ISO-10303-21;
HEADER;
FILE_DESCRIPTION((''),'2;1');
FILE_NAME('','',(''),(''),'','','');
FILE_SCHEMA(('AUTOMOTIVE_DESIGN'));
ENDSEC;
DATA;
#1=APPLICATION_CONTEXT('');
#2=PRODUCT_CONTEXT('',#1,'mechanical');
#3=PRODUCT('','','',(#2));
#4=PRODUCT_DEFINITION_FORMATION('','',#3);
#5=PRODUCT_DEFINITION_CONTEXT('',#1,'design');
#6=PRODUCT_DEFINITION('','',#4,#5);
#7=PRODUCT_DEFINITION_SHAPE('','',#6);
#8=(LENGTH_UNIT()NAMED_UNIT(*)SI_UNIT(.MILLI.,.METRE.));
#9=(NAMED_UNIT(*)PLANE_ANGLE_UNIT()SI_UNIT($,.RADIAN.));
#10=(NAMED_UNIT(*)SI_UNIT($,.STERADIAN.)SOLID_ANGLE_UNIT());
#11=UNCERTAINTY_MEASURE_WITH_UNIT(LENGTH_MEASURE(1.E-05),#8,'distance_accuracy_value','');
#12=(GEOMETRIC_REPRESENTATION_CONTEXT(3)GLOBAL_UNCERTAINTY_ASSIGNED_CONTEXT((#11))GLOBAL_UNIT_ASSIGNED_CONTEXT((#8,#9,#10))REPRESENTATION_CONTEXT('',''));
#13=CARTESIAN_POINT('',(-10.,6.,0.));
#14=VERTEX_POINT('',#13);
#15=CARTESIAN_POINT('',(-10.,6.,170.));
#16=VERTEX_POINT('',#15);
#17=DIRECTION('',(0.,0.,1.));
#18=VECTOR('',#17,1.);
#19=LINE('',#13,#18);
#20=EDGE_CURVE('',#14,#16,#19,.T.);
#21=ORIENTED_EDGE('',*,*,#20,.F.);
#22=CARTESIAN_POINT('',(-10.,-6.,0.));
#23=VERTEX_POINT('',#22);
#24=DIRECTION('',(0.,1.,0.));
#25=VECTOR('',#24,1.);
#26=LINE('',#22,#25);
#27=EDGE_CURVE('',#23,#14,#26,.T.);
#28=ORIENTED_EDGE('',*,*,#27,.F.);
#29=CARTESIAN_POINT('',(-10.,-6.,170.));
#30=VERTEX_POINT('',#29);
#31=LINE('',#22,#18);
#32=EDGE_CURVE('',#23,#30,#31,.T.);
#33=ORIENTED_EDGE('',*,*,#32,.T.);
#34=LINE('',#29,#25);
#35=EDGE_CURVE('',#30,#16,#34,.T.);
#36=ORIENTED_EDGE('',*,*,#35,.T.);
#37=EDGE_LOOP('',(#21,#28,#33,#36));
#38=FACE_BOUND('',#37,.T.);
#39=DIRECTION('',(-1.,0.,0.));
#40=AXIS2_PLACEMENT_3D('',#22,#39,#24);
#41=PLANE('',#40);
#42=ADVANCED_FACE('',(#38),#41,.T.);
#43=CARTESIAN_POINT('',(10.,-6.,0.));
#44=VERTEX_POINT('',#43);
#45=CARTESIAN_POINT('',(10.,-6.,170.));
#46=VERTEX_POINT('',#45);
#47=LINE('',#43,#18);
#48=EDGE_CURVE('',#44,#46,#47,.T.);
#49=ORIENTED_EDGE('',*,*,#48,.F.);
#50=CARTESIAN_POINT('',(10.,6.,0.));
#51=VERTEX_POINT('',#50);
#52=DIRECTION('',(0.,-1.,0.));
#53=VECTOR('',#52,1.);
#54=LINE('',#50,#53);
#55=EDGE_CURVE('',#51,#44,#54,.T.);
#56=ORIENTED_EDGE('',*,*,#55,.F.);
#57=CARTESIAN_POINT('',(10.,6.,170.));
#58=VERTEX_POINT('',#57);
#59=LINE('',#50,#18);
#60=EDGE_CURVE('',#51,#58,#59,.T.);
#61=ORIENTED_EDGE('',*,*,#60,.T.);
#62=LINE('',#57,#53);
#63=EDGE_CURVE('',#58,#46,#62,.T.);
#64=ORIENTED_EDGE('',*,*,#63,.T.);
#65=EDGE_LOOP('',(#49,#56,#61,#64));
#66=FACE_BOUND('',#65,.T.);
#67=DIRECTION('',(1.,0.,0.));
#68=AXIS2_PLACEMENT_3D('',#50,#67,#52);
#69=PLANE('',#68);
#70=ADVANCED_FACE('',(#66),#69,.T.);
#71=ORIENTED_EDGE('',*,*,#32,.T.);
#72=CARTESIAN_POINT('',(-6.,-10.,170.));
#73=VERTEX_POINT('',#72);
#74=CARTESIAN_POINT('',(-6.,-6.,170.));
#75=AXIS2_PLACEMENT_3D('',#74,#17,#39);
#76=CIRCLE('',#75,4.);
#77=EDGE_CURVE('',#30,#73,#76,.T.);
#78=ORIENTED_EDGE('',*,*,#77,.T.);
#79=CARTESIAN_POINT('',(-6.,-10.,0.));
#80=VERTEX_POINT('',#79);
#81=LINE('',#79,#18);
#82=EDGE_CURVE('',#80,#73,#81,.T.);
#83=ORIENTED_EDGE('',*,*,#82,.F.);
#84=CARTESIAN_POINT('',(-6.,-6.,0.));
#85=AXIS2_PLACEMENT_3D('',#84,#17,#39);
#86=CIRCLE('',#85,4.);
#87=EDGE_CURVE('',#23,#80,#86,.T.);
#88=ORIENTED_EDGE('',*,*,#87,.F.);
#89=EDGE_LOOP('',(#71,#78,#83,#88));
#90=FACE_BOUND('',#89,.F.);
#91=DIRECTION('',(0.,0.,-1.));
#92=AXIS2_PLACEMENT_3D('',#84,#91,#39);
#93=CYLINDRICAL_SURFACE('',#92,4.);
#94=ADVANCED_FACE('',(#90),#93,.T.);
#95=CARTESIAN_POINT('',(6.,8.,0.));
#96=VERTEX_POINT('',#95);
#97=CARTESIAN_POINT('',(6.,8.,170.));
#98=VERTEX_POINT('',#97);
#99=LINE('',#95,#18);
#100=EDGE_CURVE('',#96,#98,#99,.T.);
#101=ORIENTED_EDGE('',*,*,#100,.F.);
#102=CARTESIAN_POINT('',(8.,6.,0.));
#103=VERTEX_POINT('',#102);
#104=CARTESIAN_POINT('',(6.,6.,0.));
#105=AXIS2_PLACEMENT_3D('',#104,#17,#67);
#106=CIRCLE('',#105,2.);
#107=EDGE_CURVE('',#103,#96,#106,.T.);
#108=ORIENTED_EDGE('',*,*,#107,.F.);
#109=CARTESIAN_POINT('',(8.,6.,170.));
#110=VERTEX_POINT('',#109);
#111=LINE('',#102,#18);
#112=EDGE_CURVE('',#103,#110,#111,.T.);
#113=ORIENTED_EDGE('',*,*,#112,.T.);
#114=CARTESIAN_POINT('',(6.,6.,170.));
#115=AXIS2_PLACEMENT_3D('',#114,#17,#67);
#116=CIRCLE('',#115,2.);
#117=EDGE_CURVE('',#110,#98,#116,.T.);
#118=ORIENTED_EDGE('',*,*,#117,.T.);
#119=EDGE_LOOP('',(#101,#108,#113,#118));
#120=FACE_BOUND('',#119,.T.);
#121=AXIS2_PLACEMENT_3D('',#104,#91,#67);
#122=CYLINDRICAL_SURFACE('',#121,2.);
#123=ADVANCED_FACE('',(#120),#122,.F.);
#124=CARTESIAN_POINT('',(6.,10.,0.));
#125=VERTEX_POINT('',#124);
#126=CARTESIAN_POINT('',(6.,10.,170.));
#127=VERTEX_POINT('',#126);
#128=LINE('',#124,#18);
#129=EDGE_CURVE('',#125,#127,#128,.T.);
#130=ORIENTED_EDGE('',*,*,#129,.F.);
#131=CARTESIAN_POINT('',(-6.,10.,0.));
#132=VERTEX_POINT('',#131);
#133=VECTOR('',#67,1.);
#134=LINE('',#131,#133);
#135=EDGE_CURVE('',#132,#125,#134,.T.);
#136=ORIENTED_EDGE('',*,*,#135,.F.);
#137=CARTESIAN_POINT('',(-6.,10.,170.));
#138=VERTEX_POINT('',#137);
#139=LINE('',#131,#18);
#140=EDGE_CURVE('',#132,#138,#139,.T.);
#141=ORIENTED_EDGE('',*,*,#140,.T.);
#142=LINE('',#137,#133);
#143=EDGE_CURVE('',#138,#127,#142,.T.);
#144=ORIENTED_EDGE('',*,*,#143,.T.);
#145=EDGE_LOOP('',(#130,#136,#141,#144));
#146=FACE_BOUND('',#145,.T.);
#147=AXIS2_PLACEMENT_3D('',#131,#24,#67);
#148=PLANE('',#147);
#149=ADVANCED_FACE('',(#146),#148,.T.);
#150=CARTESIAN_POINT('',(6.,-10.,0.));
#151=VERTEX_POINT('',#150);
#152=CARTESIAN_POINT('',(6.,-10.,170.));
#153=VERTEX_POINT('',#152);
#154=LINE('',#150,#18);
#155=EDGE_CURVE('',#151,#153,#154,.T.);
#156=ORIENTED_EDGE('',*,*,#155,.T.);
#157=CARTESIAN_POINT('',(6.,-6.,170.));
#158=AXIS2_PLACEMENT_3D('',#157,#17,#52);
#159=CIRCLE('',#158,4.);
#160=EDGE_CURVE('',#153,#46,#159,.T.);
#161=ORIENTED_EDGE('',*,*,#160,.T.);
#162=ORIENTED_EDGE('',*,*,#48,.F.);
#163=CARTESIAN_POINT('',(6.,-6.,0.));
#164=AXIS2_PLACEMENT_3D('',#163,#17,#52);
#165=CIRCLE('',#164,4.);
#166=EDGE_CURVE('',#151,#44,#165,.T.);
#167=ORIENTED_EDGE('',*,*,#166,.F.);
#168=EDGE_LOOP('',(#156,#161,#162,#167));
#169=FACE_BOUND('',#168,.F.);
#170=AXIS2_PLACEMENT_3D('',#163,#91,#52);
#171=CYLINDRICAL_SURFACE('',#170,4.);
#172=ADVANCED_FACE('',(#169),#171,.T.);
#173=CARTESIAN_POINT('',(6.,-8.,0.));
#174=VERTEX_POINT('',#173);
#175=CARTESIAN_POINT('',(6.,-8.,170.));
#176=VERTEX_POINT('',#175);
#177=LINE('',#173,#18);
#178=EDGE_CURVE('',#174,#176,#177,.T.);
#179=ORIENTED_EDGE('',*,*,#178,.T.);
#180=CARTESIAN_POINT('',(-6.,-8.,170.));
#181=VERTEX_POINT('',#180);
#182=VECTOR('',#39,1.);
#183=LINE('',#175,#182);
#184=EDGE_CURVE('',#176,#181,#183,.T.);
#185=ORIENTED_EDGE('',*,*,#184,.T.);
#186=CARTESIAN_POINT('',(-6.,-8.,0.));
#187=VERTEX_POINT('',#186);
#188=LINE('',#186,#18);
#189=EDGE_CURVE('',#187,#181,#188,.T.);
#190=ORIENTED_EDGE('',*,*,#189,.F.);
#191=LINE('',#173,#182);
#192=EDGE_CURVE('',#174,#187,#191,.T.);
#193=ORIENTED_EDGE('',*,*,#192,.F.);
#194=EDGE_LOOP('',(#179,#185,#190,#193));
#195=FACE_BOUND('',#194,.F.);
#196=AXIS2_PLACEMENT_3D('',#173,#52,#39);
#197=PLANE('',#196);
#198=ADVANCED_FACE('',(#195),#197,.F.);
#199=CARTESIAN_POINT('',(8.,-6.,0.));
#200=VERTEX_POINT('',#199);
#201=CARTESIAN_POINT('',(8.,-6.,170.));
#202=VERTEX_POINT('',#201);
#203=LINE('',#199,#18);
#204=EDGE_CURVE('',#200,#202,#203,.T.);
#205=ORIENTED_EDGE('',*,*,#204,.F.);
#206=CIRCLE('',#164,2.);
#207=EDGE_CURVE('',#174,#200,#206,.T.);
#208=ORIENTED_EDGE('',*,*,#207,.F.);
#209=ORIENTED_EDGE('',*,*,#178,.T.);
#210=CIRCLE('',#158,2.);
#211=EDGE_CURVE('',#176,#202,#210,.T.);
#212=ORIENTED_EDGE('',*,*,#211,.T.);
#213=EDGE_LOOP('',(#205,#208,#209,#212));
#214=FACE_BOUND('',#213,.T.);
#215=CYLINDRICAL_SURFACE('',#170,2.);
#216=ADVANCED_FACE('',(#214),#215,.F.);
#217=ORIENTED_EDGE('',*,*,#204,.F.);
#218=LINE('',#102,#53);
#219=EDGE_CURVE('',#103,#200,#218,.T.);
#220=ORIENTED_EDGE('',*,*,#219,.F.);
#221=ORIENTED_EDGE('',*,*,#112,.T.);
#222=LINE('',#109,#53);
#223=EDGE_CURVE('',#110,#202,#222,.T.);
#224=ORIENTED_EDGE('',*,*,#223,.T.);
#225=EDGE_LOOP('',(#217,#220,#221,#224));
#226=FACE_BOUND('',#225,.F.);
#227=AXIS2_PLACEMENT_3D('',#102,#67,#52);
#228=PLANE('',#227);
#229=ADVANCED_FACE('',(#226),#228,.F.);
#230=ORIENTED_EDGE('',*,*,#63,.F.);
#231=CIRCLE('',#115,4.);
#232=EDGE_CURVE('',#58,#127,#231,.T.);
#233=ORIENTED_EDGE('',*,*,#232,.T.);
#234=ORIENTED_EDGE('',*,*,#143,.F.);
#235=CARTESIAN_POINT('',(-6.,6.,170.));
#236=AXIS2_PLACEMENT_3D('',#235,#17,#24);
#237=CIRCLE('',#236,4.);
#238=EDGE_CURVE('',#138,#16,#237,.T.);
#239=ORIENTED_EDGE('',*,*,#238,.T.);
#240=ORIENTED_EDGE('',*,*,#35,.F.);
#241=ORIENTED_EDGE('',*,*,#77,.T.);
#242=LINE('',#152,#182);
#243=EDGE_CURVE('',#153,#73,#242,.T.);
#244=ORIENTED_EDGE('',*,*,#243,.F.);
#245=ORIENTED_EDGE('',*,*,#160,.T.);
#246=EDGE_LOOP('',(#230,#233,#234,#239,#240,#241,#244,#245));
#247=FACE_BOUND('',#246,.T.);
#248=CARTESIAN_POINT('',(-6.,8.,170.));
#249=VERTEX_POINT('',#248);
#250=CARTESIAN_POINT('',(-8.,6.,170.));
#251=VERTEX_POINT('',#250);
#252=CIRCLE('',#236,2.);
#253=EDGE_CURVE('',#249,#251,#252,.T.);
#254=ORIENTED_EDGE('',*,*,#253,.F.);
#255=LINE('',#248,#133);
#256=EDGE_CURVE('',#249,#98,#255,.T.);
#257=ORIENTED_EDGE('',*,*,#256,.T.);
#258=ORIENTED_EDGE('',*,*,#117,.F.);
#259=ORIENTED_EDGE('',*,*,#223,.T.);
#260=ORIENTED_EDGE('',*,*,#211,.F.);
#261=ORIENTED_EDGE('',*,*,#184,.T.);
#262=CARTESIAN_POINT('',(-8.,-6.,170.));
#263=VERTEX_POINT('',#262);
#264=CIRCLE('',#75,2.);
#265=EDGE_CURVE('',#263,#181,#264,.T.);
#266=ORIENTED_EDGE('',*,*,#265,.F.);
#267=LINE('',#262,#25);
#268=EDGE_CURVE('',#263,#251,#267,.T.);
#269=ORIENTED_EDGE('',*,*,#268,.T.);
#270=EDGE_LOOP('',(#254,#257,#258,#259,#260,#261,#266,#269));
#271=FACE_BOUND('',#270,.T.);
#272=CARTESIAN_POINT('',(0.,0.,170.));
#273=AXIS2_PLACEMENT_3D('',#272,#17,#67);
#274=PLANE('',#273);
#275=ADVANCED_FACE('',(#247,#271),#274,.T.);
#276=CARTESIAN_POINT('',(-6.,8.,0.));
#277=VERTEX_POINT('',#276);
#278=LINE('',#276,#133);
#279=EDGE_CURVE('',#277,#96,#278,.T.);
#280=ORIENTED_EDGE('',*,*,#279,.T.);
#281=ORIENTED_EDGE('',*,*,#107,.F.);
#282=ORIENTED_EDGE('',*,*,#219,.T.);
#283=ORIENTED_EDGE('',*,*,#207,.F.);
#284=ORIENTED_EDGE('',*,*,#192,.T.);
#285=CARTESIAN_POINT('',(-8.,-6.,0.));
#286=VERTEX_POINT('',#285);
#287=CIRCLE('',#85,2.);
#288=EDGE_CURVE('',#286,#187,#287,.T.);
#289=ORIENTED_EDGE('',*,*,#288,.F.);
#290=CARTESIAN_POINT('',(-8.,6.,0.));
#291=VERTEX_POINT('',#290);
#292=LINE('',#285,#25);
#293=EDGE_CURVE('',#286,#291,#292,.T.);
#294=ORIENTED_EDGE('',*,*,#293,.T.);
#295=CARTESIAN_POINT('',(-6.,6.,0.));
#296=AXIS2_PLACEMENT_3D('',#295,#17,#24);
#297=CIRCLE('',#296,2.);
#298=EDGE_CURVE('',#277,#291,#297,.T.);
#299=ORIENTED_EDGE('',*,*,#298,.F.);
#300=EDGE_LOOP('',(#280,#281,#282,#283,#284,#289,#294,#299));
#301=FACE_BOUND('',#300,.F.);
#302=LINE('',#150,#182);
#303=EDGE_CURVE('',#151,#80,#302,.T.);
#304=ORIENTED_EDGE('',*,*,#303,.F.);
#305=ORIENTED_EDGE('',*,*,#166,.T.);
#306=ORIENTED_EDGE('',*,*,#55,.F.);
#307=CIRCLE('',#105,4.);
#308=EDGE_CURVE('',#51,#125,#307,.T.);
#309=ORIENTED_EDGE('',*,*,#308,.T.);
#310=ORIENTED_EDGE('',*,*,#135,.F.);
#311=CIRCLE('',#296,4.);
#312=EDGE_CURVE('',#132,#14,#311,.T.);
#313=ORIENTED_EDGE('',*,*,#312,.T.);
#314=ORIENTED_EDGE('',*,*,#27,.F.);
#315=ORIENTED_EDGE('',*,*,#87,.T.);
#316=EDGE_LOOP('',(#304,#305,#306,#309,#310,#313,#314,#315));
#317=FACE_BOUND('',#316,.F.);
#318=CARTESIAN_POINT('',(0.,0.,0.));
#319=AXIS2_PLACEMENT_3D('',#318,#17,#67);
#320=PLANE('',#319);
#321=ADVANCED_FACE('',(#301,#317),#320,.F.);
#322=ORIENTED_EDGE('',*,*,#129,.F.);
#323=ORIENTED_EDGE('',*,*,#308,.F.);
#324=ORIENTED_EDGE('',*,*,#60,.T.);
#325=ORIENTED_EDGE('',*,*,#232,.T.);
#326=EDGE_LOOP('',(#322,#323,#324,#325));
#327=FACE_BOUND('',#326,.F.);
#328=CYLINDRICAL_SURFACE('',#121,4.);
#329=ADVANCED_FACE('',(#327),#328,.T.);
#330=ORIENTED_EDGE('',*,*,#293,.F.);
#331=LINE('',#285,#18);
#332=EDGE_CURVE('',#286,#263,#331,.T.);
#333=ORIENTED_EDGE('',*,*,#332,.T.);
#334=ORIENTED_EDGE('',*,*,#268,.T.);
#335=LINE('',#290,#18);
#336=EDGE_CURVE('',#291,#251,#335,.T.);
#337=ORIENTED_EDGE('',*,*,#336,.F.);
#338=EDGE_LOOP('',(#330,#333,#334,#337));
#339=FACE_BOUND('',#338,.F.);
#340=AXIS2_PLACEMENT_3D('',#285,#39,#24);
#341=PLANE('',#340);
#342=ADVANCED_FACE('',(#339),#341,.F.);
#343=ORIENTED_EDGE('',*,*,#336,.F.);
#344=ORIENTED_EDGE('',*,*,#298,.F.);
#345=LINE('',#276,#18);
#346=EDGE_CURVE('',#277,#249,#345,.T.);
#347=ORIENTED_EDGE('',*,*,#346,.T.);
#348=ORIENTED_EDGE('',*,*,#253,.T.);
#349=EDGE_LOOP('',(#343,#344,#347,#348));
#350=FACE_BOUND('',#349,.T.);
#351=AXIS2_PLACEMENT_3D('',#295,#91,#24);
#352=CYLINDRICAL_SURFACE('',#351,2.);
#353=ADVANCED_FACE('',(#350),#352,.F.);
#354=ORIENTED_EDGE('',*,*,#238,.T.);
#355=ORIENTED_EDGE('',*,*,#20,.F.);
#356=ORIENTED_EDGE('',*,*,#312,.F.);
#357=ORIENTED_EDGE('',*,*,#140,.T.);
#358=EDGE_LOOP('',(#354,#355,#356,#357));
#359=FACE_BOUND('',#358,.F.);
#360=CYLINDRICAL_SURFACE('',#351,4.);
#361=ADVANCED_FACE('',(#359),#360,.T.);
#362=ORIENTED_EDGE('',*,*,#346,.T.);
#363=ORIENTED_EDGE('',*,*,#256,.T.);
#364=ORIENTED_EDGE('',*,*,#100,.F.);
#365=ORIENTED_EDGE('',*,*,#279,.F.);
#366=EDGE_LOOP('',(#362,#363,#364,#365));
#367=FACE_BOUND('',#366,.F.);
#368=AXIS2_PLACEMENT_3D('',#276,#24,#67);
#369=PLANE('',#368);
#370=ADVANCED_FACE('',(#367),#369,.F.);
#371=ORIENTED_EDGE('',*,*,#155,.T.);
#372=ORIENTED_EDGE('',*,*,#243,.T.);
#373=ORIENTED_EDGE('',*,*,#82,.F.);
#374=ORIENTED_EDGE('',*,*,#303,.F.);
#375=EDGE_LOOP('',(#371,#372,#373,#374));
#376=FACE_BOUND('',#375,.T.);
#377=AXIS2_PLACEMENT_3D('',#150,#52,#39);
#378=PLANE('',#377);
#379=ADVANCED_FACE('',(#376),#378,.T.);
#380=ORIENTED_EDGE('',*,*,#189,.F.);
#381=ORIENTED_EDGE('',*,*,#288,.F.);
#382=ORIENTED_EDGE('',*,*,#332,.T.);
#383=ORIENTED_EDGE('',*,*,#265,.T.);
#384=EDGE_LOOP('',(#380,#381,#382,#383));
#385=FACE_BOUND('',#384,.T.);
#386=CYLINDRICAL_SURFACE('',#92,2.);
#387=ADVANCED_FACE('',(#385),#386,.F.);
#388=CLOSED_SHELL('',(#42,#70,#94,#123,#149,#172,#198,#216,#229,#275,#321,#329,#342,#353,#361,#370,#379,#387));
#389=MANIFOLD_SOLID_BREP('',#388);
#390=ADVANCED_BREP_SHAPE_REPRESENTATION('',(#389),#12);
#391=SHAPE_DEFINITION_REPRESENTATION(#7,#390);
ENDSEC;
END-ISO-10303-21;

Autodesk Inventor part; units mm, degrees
ref_plane "YZ Plane" through (0, 0, 0) normal (1, 0, 0) x (0, 1, 0)
ref_plane "Plan de départ" through (0, 0, 0) normal (0, 0, 1) x (1, 0, 0)
ref_plane "Plan de fin" through (0, 0, 170) normal (0, 0, 1) x (1, 0, 0)
sketch "Esquisse" plane through (0, 0, 0) normal (0, 0, 1) x (1, 0, 0)
  line L0 (-10, -6) -> (-10, 6)
  line L1 (-6, 10) -> (6, 10)
  line L2 (10, 6) -> (10, -6)
  line L3 (6, -10) -> (-6, -10)
  arc A0 (-10, -6) -> (-6, -10) centre (-6, -6) ccw
  arc A1 (10, 6) -> (6, 10) centre (6, 6) ccw
  arc A2 (-6, 10) -> (-10, 6) centre (-6, 6) ccw
  arc A3 (6, -10) -> (10, -6) centre (6, -6) ccw
  arc A4 (-6, 8) -> (-8, 6) centre (-6, 6) ccw
  line L4 (-6, 8) -> (6, 8)
  arc A5 (8, 6) -> (6, 8) centre (6, 6) ccw
  line L5 (8, 6) -> (8, -6)
  arc A6 (6, -8) -> (8, -6) centre (6, -6) ccw
  line L6 (6, -8) -> (-6, -8)
  arc A7 (-8, -6) -> (-6, -8) centre (-6, -6) ccw
  line L7 (-8, -6) -> (-8, 6)
  line L8 (0, 15.1598) -> (0, -15.1598) construction
  line L9 (-15.1598, 0) -> (15.1598, 0) construction
  dimension "d7" = 4
  dimension "d9" = 20
  dimension "d11" = 20
  dimension "d12" = 2
  dimension "d15" = 10
  dimension "d16" = 10
extrude "Corps" add sketch "Esquisse" along normal up to surface (170 mm away) from surface at 0
sketch "Sketch3" plane through (0, 0, 0) normal (0, 0, 1) x (1, 0, 0)
  line L0 (0, 0) -> (10, 0)
ref_plane "Work Plane3" through (0, 0, 0) normal (0, -1, 0) x (1, 0, 0)
sketch "Sketch4" plane through (0, 0, 0) normal (0, -1, 0) x (1, 0, 0)
  line L0 (-2, 0) -> (12, 0) projected
  line L1 (-2, 170) -> (12, 170) projected
  dimension "d18" = 170
equation "\"d7\" = G_IR"
equation "\"d9\" = G_W"
equation "\"d11\" = G_H"
equation "\"d12\" = G_T"
equation "\"d15\" = 0.5 * d9"
equation "\"d16\" = 0.5 * d11"
equation "\"d3\" = G_L"
equation "\"G_W\" = 20"
equation "\"G_H\" = 20"
equation "\"G_T\" = 2"
equation "\"G_IR\" = 4"
equation "\"G_L\" = d18"
equation "\"G_OFFSET_START\" = 0"
equation "\"G_OFFSET_END\" = 0"
properties part number "ISO 10799-2 - 20x20x2 - 170" material "Acier, doux"
